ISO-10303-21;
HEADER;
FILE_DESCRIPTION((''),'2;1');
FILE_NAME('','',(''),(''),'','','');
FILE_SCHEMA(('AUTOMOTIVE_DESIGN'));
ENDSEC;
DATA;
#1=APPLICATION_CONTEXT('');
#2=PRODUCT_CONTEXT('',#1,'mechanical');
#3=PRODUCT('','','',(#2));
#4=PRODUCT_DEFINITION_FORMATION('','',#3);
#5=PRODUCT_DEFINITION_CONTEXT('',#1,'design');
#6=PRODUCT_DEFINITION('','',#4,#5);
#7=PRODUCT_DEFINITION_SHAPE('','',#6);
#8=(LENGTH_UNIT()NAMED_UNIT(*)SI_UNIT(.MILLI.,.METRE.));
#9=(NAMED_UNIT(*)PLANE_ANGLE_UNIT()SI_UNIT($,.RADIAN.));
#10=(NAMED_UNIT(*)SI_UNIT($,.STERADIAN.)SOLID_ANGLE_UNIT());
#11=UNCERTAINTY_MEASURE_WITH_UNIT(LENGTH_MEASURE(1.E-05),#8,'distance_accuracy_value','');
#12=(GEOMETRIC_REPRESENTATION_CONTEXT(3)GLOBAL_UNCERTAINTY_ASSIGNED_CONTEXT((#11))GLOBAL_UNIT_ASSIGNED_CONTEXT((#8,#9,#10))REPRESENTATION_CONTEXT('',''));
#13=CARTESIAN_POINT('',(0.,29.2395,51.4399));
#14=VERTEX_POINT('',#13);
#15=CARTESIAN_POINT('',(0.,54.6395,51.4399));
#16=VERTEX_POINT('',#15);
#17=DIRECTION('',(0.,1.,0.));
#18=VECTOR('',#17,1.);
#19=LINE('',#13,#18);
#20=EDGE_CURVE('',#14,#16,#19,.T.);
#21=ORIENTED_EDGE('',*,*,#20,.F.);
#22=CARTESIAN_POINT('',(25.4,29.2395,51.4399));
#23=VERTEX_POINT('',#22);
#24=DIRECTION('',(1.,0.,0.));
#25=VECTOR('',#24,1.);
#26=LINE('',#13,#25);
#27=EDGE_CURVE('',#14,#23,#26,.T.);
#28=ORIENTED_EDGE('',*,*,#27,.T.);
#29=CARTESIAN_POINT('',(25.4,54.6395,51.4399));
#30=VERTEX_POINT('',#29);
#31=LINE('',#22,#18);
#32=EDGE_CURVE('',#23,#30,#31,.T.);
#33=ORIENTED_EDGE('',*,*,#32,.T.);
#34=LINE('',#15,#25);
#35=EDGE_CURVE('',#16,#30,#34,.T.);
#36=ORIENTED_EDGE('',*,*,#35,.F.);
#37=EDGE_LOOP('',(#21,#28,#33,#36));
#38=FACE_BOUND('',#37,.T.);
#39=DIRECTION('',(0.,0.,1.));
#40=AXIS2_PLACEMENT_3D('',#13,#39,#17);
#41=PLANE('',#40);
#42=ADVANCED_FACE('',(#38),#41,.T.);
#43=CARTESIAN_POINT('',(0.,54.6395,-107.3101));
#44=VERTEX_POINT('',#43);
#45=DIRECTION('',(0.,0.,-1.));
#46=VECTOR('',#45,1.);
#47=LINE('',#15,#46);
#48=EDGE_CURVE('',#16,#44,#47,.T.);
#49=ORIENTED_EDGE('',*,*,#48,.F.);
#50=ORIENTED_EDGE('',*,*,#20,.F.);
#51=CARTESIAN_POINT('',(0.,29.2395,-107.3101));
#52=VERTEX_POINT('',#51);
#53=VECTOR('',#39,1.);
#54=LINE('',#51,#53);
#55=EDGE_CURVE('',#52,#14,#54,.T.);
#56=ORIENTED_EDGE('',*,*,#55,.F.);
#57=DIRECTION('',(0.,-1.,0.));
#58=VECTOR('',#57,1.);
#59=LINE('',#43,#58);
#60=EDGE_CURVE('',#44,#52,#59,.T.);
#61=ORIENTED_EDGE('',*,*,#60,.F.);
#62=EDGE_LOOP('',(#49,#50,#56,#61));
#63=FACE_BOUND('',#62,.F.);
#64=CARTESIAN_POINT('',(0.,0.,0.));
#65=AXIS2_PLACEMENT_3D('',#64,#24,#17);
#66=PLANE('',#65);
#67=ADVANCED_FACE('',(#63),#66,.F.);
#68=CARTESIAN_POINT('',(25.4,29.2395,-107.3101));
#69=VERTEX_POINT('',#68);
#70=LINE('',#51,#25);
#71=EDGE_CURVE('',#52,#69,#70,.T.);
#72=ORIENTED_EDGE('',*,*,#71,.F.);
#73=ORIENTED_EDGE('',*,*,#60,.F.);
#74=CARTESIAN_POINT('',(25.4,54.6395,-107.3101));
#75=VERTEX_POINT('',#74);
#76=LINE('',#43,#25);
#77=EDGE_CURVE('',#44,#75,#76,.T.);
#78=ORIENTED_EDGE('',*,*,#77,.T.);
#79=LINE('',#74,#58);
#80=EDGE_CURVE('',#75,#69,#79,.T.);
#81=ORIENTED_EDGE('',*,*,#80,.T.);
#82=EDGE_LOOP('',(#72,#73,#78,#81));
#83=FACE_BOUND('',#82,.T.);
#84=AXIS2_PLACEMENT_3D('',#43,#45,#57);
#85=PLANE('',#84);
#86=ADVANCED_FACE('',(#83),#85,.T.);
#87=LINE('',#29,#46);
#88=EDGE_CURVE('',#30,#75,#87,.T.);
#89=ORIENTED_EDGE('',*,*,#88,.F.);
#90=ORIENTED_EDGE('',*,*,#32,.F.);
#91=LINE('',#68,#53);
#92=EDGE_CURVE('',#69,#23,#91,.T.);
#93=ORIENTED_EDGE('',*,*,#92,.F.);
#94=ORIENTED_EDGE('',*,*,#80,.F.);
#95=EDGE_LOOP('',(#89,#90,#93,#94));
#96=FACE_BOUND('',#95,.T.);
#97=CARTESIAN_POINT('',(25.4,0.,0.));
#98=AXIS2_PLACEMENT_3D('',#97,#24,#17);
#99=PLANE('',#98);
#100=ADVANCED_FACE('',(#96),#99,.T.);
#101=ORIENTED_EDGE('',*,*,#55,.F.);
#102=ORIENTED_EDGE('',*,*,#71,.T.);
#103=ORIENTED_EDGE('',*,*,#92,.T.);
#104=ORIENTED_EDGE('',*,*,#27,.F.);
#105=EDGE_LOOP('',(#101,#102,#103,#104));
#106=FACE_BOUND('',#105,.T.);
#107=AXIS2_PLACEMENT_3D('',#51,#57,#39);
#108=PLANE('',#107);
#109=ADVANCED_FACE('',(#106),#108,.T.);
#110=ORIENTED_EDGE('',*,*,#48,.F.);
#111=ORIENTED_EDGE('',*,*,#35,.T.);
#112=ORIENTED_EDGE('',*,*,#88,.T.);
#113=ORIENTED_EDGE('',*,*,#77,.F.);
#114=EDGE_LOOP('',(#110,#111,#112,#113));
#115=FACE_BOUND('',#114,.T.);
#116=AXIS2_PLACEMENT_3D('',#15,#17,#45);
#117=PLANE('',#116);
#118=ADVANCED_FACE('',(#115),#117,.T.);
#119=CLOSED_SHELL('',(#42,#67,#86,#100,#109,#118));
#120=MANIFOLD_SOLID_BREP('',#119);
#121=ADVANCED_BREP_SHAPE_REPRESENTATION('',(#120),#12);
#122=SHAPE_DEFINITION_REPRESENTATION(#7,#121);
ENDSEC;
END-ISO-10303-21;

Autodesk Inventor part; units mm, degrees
ref_plane "YZ Plane" through (0, 0, 0) normal (1, 0, 0) x (0, 1, 0)
ref_plane "XZ Plane" through (0, 0, 0) normal (0, 1, 0) x (-1, 0, 0)
ref_plane "XY Plane" through (0, 0, 0) normal (0, 0, 1) x (1, 0, 0)
sketch "Sketch1" plane through (0, 0, 0) normal (1, 0, 0) x (0, 1, 0)
  line L0 (29.2395, 51.4399) -> (54.6395, 51.4399)
  line L1 (54.6395, 51.4399) -> (54.6395, -107.3101)
  line L2 (54.6395, -107.3101) -> (29.2395, -107.3101)
  line L3 (29.2395, -107.3101) -> (29.2395, 51.4399)
  point P0 (0, 0)
  dimension "d0" = 158.75
  dimension "d1" = 25.4
extrude "Extrusion1" add sketch "Sketch1" along normal blind 25.4
properties part number "FOR MIRROR PLANE"
